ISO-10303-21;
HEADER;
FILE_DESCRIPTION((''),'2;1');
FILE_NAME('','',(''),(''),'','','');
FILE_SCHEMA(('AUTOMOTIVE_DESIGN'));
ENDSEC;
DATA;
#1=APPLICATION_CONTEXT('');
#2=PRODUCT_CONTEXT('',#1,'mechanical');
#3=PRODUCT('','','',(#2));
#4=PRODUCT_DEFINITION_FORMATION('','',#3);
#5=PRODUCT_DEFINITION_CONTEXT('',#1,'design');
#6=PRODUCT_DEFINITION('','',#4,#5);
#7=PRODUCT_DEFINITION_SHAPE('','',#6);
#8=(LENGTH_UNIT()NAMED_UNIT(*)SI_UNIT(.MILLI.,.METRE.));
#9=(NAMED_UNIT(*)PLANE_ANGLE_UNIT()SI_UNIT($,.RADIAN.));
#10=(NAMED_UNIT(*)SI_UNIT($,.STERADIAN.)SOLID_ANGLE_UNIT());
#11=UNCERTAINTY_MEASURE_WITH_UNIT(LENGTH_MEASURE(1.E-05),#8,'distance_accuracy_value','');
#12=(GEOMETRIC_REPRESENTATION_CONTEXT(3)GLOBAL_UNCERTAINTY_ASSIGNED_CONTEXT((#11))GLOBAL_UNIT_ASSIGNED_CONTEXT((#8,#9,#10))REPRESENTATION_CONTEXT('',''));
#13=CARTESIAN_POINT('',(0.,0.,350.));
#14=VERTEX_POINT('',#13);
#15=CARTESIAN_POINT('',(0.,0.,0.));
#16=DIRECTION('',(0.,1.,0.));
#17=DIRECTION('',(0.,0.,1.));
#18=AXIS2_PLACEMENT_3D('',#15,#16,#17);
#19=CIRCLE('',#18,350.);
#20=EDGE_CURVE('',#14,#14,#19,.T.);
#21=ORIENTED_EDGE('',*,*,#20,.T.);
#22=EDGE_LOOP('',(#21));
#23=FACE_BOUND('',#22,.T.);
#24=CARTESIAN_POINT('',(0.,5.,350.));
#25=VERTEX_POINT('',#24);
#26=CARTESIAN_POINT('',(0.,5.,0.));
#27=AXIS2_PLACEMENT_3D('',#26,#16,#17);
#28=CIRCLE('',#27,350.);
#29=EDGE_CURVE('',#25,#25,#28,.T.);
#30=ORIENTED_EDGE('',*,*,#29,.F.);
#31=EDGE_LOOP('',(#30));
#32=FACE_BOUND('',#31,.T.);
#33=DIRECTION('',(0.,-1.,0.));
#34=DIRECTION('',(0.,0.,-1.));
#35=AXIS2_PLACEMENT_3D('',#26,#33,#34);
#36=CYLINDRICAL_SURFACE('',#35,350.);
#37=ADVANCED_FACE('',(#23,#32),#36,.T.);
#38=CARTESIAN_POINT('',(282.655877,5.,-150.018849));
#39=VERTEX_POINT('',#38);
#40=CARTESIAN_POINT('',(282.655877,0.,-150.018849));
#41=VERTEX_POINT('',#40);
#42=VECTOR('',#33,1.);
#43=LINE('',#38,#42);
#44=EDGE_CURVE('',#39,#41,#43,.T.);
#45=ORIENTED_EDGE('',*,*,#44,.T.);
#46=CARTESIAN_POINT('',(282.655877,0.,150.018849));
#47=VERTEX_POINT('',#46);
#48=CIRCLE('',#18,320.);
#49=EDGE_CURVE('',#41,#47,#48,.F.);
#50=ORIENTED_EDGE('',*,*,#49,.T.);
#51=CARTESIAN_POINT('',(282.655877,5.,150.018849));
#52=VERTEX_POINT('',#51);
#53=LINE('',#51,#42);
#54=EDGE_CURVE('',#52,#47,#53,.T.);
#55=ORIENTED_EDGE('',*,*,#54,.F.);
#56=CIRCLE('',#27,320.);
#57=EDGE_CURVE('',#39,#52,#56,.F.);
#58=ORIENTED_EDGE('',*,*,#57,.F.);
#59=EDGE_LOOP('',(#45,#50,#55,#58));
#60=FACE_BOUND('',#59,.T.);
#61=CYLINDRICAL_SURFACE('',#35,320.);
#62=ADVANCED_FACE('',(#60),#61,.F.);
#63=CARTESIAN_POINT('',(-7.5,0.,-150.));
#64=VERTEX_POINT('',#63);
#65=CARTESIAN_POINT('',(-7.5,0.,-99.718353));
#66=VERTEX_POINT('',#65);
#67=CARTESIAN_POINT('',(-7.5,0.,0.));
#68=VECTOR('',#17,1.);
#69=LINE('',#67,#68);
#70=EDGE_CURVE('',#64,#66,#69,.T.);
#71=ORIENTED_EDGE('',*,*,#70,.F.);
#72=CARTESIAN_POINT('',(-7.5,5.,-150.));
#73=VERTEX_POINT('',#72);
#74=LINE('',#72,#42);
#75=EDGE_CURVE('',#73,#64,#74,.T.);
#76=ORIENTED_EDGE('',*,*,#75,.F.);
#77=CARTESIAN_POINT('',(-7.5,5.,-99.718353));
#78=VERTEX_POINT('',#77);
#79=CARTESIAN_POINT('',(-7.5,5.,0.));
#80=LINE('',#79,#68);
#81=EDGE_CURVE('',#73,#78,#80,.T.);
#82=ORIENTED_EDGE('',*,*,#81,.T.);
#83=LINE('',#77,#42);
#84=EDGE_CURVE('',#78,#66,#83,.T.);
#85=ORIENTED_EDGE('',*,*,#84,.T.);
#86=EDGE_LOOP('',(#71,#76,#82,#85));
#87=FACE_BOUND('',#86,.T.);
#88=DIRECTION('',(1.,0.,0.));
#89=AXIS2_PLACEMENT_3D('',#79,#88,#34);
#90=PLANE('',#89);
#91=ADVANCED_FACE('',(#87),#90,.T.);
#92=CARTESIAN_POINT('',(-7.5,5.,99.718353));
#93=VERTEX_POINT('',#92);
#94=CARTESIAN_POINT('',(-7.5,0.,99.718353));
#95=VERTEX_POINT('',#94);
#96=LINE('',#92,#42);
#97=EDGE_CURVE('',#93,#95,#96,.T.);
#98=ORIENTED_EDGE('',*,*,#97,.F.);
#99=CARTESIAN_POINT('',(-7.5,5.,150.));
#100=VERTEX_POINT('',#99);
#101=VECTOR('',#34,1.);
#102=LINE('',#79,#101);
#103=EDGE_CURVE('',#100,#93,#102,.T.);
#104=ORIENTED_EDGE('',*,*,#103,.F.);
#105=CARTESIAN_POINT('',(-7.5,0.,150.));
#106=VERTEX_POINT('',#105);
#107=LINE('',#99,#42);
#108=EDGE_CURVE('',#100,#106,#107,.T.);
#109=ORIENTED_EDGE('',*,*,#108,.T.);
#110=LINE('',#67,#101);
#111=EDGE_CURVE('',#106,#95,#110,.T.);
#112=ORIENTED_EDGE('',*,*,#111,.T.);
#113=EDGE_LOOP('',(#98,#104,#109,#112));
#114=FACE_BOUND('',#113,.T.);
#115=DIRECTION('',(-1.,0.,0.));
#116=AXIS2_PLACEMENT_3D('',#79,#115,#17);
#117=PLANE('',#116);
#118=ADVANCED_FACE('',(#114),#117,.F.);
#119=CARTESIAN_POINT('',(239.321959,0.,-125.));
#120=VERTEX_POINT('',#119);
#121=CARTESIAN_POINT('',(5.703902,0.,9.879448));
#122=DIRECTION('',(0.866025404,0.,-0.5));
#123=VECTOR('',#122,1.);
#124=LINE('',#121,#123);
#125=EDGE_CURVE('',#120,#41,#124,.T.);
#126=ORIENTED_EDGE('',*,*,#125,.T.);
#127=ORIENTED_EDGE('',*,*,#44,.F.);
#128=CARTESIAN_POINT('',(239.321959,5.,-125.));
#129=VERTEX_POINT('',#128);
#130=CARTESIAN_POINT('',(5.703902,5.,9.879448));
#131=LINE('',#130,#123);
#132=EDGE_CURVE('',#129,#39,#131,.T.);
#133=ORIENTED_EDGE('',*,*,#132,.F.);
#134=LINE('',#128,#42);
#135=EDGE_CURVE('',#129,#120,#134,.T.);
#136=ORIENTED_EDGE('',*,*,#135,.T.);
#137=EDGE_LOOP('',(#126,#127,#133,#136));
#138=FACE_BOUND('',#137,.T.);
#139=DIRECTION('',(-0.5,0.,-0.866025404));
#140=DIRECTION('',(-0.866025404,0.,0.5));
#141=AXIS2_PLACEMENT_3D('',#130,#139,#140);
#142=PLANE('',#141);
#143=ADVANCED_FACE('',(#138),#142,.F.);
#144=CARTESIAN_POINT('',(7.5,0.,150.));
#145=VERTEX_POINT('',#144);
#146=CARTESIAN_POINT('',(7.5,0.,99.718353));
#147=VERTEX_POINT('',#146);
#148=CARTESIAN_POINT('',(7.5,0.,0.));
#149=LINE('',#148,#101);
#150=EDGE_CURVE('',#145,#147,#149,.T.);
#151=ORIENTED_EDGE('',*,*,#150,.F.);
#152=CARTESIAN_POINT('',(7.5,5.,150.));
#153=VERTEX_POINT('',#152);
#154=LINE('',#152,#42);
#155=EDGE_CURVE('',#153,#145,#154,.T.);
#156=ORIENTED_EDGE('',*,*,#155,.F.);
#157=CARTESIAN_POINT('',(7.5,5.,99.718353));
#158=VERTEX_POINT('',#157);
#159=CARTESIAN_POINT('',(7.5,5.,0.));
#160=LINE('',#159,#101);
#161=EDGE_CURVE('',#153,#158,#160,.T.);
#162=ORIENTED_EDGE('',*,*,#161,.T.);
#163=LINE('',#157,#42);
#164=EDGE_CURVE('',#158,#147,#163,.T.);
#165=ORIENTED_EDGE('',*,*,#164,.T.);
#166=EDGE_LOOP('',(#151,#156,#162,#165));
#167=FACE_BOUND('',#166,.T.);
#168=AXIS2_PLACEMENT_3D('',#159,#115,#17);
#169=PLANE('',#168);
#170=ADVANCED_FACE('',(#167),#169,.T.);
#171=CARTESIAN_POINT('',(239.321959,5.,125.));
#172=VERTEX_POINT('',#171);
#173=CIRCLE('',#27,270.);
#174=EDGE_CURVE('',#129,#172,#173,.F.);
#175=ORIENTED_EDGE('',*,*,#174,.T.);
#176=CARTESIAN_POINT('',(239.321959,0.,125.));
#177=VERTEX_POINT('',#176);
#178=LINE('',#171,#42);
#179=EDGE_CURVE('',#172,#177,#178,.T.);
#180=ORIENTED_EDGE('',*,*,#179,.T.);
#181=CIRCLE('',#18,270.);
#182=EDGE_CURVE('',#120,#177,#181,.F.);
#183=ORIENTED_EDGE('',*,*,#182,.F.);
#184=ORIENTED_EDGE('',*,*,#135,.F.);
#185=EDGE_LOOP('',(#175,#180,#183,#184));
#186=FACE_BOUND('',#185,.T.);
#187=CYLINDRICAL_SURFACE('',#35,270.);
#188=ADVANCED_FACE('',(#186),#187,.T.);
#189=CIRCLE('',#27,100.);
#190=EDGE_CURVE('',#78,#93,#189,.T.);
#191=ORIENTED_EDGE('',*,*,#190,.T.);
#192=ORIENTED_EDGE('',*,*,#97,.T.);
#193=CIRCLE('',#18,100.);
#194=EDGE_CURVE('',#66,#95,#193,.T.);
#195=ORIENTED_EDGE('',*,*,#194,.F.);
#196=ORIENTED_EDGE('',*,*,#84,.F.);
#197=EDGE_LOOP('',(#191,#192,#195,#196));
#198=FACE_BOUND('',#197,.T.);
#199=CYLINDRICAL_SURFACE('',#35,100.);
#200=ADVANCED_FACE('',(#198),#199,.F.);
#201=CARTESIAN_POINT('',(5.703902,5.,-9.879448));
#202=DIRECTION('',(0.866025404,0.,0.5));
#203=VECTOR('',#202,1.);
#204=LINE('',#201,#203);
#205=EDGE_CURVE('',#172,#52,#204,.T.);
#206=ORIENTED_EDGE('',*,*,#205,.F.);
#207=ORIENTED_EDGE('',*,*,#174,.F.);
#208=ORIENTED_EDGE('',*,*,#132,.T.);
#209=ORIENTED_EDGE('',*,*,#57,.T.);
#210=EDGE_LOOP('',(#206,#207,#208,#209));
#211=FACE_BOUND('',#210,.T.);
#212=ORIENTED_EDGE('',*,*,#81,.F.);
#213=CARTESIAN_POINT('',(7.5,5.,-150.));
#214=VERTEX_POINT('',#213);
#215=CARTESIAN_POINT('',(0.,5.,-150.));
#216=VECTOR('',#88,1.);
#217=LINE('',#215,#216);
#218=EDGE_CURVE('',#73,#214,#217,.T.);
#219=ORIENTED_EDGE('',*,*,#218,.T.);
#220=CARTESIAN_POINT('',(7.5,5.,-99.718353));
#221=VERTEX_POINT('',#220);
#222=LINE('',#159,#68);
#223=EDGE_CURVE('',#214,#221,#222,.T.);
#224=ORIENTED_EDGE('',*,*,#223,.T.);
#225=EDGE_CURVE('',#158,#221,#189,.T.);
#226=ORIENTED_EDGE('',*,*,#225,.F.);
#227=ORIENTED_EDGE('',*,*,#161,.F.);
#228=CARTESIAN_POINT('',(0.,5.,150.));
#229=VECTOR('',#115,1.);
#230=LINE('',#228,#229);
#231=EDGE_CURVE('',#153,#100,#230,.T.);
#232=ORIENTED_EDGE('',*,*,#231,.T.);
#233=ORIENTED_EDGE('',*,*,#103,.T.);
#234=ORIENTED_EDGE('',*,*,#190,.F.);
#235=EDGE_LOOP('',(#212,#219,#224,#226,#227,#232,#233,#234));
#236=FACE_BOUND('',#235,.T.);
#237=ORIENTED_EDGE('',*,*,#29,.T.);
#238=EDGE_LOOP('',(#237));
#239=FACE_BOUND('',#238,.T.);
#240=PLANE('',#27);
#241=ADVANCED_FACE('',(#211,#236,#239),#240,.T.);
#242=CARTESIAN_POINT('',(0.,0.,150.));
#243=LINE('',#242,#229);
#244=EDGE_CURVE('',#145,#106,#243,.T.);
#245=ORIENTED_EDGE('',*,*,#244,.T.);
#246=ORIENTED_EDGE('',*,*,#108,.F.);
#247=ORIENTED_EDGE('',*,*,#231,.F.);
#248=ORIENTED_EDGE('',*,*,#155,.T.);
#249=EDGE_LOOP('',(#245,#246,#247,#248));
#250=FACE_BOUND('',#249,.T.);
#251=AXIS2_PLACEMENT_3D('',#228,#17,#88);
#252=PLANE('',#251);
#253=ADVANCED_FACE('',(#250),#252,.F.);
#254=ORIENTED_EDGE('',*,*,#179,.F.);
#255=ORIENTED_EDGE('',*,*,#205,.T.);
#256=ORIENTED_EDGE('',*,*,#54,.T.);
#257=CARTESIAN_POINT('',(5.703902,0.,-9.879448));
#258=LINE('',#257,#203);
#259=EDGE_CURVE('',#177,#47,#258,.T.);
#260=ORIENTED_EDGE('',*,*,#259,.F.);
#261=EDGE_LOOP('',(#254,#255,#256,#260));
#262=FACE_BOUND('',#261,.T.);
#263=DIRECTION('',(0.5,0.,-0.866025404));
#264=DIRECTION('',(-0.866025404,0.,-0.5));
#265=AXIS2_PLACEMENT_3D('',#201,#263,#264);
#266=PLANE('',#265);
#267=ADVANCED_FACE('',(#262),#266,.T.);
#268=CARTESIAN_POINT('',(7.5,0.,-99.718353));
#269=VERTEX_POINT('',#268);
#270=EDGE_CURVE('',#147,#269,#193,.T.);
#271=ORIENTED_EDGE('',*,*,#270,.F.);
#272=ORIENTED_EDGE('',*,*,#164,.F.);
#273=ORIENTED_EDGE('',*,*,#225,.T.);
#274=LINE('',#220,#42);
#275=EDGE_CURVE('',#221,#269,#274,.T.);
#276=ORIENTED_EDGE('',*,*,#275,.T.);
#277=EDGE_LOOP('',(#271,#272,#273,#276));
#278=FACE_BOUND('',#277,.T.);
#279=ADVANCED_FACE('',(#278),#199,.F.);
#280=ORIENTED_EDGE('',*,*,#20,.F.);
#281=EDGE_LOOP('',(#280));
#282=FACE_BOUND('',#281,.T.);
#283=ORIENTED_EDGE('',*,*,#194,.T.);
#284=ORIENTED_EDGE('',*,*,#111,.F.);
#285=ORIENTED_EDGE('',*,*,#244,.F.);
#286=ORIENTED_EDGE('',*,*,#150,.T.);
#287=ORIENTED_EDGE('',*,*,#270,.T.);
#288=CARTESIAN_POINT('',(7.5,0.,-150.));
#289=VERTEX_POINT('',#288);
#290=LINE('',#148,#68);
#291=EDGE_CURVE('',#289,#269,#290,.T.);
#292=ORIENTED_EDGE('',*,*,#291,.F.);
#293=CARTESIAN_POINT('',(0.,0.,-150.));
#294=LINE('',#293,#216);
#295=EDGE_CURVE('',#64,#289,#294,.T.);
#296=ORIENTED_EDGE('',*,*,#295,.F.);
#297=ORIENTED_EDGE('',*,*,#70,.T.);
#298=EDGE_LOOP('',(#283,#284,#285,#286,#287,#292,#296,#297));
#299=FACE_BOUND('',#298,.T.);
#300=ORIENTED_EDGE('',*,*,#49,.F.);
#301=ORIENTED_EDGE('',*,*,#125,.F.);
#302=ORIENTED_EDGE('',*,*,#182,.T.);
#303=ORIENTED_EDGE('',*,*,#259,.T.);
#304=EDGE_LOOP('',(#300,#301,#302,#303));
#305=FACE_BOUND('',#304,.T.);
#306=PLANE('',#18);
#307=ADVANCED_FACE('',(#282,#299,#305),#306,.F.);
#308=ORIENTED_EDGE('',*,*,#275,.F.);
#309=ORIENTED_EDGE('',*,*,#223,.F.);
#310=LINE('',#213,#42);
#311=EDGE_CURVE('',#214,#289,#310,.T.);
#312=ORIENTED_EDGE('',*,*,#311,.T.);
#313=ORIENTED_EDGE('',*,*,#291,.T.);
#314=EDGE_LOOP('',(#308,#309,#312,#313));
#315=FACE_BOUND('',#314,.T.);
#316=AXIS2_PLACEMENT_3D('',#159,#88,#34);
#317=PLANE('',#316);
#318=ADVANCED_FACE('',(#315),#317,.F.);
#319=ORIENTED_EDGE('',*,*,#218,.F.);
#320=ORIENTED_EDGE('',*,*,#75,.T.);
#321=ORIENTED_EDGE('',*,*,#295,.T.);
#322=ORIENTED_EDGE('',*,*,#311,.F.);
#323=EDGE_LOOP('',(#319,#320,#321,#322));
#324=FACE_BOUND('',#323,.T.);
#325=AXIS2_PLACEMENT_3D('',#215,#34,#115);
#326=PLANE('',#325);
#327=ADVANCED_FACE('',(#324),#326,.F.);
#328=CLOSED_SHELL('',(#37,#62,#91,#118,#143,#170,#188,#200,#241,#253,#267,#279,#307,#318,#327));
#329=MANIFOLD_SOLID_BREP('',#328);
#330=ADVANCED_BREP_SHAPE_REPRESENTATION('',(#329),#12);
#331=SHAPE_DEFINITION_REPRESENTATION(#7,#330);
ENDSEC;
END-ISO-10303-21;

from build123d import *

# Parameters (mm, degrees)
IZIM1_R                     = 350
Y_KSEKLIK_EKSTR_ZYON2_DEPTH = 5


with BuildPart() as part:
    # Çizim1 → Yükseklik-Ekstrüzyon2 (new body)
    with BuildSketch(Plane(origin=(0, 0, 0), x_dir=(1, 0, 0), z_dir=(0, 1, 0))):
        with Locations(Location((0, 0, 0), (0, 0, 270))):
            Circle(IZIM1_R)
        with BuildLine():
            Line((7.5, -150), (7.5, -99.718353376))
            ThreePointArc((7.5, -99.718353376), (100, 0), (7.5, 99.718353376))
            Line((7.5, 99.718353376), (7.5, 150))
            Line((7.5, 150), (-7.5, 150))
            Line((-7.5, 150), (-7.5, 99.718353376))
            ThreePointArc((-7.5, 99.718353376), (-100, 0), (-7.5, -99.718353376))
            Line((-7.5, -99.718353376), (-7.5, -150))
            Line((-7.5, -150), (7.5, -150))
        make_face(mode=Mode.SUBTRACT)
        with BuildLine():
            Line((239.321958875, 125), (282.655877073, 150.018849336))
            ThreePointArc((282.655877073, 150.018849336), (320, 0), (282.655877073, -150.018849336))
            Line((282.655877073, -150.018849336), (239.321958875, -125))
            ThreePointArc((239.321958875, -125), (270, 0), (239.321958875, 125))
        make_face(mode=Mode.SUBTRACT)
    extrude(amount=Y_KSEKLIK_EKSTR_ZYON2_DEPTH)


solid = part.part
